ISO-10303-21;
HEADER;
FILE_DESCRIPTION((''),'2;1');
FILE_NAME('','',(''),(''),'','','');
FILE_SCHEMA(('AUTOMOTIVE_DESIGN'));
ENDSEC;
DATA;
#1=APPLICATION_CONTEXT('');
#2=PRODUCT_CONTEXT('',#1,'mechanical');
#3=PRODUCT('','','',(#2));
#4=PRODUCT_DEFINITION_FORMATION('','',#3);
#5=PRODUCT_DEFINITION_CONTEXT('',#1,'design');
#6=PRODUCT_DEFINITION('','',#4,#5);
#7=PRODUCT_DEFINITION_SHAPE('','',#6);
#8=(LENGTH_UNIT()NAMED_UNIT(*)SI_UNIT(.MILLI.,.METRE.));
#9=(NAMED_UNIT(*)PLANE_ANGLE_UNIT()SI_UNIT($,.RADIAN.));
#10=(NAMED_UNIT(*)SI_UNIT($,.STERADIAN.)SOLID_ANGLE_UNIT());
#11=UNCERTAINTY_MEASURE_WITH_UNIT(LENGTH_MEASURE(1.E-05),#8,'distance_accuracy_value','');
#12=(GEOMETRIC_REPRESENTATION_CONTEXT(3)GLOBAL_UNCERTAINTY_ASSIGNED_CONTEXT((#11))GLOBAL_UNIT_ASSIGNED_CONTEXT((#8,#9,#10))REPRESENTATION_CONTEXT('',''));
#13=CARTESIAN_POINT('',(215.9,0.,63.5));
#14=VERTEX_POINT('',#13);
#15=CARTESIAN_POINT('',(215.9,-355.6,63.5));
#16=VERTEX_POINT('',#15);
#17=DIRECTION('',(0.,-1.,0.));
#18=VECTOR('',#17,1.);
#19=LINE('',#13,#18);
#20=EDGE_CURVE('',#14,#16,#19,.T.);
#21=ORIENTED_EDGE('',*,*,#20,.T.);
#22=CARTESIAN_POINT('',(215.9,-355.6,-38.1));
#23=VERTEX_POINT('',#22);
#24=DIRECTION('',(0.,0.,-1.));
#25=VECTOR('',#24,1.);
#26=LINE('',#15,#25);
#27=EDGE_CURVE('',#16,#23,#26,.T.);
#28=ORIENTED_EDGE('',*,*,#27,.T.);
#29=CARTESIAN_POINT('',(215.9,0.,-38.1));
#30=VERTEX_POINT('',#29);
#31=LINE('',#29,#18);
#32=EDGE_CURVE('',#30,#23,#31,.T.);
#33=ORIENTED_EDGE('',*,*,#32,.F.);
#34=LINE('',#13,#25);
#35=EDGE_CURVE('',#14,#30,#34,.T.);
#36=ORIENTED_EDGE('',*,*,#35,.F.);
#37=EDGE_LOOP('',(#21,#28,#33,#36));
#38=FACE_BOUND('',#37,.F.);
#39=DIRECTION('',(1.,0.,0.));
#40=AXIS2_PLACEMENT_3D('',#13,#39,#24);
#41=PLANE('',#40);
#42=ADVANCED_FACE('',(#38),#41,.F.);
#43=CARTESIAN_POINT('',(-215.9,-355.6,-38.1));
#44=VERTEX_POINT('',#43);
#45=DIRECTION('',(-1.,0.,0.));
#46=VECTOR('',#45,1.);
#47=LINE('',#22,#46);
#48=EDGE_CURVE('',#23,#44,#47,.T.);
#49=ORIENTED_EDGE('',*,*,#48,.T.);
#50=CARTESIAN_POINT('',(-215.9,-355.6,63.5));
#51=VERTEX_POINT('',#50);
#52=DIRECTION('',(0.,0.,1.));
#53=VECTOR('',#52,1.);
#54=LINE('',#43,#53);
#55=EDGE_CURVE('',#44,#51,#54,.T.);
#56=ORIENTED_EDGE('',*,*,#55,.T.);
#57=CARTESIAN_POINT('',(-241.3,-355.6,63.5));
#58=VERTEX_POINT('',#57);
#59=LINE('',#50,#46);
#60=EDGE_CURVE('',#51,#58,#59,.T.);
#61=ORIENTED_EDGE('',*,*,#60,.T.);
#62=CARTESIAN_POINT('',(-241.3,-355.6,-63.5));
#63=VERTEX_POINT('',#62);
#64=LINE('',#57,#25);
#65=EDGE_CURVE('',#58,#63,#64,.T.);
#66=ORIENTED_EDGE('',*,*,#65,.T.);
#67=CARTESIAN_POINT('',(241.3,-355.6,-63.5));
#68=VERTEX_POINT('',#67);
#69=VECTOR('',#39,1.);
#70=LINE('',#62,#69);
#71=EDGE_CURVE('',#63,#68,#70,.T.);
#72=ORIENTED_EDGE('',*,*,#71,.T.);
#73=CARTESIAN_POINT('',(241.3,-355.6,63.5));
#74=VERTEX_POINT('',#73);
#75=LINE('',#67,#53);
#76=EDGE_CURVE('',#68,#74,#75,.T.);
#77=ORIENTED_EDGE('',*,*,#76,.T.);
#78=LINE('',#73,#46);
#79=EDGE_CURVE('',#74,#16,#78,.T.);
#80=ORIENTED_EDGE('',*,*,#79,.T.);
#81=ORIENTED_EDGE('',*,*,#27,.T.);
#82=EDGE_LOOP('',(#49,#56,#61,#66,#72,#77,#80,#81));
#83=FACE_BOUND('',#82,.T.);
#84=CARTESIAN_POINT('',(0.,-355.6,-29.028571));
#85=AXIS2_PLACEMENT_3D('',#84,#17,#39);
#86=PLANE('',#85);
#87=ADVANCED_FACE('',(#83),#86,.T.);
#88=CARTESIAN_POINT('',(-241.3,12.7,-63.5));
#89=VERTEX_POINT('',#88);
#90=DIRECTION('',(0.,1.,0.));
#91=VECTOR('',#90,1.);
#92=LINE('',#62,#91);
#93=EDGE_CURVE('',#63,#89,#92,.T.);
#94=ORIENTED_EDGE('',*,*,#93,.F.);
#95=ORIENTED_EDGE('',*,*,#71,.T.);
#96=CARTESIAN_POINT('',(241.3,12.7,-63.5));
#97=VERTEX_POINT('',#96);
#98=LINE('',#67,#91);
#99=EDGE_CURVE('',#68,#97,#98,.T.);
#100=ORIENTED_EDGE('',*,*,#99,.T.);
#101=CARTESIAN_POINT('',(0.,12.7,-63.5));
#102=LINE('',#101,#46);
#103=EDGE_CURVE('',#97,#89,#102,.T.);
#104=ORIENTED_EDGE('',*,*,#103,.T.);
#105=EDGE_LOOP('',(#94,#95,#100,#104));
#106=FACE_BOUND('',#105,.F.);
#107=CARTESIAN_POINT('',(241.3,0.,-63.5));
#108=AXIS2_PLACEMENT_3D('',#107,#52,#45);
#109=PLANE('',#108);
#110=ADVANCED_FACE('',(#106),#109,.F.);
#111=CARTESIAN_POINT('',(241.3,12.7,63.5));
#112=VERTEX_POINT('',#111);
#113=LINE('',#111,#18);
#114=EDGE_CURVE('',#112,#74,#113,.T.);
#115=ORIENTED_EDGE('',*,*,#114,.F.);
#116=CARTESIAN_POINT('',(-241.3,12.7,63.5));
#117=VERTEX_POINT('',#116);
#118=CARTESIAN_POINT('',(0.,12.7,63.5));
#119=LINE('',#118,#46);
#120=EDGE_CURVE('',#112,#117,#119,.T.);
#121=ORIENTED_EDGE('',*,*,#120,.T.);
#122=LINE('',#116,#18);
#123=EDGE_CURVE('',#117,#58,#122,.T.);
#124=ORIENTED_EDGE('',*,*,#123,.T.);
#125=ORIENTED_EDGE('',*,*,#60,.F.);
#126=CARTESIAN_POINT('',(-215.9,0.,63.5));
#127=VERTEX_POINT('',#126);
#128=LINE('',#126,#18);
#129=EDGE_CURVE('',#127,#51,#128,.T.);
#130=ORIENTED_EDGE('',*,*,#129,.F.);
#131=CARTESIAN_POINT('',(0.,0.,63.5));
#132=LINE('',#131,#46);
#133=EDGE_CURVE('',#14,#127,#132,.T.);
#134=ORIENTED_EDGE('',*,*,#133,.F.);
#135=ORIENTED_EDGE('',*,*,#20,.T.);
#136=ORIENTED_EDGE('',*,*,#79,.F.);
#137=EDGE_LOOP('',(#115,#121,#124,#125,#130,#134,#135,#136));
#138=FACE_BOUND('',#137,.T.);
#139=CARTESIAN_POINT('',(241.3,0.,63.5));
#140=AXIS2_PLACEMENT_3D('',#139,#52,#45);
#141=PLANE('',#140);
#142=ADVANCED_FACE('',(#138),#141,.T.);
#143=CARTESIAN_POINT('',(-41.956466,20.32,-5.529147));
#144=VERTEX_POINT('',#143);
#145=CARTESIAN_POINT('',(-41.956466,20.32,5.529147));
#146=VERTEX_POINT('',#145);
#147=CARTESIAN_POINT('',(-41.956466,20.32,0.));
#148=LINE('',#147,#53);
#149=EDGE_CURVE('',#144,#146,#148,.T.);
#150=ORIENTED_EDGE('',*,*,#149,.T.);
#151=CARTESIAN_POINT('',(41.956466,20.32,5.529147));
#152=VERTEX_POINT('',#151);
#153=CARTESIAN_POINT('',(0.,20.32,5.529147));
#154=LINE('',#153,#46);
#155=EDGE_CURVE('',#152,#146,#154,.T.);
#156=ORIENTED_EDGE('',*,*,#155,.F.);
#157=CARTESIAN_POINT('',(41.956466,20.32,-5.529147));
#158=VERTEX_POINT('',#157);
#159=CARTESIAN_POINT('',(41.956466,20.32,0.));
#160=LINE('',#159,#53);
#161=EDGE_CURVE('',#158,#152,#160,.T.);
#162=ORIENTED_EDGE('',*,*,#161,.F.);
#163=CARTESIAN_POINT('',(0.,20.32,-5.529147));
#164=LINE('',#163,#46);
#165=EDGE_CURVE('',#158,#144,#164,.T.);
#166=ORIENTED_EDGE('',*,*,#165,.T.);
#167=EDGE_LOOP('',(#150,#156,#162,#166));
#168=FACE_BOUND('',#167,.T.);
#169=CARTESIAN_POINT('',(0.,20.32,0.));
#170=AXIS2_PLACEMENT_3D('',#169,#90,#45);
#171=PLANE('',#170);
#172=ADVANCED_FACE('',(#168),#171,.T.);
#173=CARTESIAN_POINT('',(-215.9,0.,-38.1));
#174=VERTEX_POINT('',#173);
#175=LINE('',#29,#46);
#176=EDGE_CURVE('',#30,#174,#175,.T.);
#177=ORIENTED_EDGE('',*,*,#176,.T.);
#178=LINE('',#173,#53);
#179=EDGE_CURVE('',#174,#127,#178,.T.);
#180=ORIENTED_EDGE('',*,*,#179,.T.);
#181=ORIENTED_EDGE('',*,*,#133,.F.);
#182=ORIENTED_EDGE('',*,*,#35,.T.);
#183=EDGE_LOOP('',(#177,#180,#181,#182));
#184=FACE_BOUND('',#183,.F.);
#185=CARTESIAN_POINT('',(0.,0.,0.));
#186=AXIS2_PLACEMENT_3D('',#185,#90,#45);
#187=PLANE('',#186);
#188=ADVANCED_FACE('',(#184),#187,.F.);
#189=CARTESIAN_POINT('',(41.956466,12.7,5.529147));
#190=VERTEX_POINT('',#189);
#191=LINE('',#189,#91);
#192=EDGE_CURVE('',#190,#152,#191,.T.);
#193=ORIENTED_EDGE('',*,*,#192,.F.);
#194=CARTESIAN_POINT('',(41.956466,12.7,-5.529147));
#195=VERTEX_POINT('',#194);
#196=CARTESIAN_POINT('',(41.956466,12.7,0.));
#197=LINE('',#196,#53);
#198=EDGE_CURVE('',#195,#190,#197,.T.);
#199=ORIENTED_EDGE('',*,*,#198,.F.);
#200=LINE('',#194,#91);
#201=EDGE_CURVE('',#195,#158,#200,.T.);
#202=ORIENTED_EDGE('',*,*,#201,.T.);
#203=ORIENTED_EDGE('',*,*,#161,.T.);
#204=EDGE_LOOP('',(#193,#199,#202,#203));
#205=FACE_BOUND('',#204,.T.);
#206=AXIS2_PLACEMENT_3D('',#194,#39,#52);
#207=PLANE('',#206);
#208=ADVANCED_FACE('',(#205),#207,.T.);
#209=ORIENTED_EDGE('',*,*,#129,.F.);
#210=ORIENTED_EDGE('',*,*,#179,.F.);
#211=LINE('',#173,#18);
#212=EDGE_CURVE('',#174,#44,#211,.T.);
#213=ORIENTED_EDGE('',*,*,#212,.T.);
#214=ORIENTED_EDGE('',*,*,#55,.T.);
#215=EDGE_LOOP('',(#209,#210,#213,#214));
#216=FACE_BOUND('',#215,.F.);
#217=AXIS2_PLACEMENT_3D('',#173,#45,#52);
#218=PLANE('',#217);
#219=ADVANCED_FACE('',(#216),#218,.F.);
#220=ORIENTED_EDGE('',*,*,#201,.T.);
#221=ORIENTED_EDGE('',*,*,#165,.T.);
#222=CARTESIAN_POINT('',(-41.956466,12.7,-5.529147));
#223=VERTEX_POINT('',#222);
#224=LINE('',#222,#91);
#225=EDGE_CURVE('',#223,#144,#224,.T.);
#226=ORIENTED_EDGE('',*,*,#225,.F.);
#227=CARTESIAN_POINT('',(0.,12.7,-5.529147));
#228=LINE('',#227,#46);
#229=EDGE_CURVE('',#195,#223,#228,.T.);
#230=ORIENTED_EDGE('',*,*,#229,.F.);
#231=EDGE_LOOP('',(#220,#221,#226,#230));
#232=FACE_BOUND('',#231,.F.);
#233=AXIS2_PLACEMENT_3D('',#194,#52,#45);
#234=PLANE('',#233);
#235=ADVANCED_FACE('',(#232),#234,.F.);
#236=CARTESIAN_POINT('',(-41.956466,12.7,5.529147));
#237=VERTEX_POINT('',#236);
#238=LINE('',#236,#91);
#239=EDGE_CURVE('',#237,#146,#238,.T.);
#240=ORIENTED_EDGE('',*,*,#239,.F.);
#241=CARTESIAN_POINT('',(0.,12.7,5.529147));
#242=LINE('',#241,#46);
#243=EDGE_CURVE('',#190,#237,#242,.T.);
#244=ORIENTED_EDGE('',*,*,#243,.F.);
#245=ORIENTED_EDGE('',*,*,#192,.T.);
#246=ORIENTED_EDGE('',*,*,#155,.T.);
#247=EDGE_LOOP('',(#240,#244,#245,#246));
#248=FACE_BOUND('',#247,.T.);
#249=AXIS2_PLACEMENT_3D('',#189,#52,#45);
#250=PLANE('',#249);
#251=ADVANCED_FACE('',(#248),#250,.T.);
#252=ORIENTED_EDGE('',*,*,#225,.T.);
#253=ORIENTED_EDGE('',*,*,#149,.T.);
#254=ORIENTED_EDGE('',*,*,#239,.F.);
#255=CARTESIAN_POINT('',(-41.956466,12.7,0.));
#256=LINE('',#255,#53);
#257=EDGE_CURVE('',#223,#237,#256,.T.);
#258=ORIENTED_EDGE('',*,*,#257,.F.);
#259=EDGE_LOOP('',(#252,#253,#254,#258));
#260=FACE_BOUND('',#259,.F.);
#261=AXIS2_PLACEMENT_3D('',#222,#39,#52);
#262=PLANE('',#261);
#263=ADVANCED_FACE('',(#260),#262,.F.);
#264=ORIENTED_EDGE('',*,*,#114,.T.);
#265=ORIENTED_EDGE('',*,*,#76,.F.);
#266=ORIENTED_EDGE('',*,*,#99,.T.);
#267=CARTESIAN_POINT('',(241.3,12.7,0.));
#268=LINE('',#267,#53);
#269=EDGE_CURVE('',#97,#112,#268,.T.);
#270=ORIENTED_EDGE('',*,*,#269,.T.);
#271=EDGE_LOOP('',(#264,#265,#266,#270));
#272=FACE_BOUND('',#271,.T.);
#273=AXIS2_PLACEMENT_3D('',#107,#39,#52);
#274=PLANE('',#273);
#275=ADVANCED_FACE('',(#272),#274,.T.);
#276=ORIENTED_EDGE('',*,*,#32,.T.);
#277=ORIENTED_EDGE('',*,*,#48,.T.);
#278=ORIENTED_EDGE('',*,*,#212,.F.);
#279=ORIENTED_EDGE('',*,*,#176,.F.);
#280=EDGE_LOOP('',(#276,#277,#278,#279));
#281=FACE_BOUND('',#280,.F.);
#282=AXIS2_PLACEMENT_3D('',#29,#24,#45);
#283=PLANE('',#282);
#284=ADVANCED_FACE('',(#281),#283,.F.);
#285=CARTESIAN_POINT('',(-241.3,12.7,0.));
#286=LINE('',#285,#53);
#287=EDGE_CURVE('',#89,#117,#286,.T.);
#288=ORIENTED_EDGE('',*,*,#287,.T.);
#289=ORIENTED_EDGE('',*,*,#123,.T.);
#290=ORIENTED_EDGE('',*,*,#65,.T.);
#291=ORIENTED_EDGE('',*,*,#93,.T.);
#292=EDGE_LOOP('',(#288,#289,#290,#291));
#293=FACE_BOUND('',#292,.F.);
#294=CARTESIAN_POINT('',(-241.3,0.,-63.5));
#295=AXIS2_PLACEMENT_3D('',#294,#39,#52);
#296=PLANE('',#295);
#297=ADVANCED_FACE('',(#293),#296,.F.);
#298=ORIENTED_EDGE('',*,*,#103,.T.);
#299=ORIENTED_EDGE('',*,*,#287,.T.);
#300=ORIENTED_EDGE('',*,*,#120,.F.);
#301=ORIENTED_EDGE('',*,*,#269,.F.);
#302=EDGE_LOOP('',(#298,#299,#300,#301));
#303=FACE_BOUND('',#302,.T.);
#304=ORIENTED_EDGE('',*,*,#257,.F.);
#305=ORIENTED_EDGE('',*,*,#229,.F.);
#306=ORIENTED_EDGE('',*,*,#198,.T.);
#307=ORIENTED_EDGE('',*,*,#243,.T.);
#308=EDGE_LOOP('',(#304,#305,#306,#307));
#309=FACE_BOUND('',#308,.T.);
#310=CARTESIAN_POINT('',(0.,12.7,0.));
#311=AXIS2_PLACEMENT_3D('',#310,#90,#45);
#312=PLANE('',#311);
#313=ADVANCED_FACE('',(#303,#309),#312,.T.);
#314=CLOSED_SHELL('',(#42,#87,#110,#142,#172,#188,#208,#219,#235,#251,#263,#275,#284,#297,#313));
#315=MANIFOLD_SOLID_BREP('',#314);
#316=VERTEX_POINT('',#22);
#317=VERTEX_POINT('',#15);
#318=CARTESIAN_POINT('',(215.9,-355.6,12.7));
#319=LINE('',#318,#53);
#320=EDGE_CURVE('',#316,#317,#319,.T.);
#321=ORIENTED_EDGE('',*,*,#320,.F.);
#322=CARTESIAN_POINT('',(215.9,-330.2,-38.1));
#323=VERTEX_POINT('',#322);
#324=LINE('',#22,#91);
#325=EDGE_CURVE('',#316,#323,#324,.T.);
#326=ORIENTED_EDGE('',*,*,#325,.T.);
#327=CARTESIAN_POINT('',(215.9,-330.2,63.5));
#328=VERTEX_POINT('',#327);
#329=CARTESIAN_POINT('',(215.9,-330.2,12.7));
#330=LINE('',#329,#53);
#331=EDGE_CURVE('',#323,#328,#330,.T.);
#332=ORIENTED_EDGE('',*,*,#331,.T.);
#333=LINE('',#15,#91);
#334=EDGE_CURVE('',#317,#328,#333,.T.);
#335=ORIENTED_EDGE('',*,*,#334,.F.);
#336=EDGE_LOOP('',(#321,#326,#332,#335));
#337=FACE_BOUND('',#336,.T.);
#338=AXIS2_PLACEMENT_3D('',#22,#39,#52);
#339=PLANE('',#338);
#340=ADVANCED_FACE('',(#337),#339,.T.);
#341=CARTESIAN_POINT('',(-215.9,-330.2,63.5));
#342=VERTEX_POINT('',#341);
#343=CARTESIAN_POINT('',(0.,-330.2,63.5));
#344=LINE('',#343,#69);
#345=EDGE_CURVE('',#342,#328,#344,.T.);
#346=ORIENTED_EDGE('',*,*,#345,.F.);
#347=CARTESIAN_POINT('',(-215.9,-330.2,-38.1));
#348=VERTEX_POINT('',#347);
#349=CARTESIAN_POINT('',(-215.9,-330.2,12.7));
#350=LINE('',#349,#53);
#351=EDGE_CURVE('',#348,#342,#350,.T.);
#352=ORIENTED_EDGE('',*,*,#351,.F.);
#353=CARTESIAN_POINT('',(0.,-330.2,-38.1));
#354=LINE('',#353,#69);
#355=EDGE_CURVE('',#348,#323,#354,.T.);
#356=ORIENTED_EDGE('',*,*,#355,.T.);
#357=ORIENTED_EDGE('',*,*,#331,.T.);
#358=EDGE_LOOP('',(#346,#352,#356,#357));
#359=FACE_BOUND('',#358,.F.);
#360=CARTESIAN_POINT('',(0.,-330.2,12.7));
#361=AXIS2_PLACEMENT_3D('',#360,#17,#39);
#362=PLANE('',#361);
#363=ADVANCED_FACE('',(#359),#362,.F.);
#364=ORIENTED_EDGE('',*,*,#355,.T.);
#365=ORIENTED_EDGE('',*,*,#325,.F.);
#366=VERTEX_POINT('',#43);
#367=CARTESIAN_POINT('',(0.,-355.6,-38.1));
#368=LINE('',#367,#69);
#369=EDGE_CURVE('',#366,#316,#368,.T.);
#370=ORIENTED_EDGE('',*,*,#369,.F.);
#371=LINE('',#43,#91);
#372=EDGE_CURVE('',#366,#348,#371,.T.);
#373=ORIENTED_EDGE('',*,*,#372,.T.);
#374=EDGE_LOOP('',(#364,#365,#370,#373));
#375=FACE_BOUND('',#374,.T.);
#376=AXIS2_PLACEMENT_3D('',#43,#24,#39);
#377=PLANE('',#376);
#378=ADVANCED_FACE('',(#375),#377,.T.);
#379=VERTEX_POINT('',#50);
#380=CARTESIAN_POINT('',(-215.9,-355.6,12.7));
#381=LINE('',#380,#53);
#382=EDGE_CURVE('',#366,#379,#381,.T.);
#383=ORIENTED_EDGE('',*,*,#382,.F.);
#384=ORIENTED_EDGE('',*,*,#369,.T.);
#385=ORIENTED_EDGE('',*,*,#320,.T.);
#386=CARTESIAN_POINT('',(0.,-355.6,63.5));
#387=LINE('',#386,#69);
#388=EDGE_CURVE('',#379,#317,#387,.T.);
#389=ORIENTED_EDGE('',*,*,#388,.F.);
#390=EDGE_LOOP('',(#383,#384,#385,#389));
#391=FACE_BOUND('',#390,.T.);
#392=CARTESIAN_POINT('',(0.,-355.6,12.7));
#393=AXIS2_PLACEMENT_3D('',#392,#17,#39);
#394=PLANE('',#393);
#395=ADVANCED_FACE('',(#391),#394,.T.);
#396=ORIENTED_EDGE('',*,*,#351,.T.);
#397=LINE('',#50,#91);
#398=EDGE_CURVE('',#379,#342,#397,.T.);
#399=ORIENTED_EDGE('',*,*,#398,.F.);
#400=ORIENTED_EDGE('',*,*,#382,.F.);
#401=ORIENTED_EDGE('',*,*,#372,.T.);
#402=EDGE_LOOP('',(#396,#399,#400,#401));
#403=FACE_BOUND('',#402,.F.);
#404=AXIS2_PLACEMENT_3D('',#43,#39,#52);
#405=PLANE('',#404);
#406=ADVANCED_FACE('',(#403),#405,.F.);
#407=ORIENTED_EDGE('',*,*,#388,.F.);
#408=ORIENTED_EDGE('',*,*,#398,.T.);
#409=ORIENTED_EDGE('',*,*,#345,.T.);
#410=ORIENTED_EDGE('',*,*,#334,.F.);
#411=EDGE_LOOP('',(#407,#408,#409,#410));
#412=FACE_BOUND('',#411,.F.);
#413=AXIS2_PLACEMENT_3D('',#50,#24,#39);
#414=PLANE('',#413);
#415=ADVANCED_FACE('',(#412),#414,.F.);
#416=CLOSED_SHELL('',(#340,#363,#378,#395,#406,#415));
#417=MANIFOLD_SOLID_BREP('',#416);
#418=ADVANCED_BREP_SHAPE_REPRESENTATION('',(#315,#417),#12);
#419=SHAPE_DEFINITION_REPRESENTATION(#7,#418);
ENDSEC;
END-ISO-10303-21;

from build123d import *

# Parameters (mm, degrees)
F1_DEPTH = 355.6
F2_W     = 431.8
F2_H     = 101.6
F3_DEPTH = 25.4
F4_W     = 482.6
F4_H     = 127
F5_DEPTH = 12.7
F6_W     = 83.9129313827
F6_H     = 11.058293283
F7_DEPTH = 7.62


with BuildPart() as f1:
    # F0 (on Front) → F1 (new body)
    with BuildSketch(Plane.XZ):
        Polygon((-241.3, -63.5), (241.3, -63.5), (241.3, 63.5), (215.9, 63.5), (215.9, -38.1), (-215.9, -38.1), (-215.9, 63.5), (-241.3, 63.5), align=None)
    extrude(amount=F1_DEPTH)

    # F4 (on face) → F5 (join)
    with BuildSketch(Plane(origin=(0, 0, 0), x_dir=(-1, 0, 0), z_dir=(0, 1, 0))):
        Rectangle(F4_W, F4_H)
    extrude(amount=F5_DEPTH)

    # F6 (on face) → F7 (join)
    with BuildSketch(Plane(origin=(0, 12.7, 0), x_dir=(-1, 0, 0), z_dir=(0, 1, 0))):
        Rectangle(F6_W, F6_H)
    extrude(amount=F7_DEPTH)


with BuildPart() as f3:
    # F2 (on face) → F3 (new body)
    with BuildSketch(Plane.XZ.offset(355.6)):
        with Locations((0, 12.7)):
            Rectangle(F2_W, F2_H)
    extrude(amount=-F3_DEPTH)


solid = Compound([f1.part, f3.part])
